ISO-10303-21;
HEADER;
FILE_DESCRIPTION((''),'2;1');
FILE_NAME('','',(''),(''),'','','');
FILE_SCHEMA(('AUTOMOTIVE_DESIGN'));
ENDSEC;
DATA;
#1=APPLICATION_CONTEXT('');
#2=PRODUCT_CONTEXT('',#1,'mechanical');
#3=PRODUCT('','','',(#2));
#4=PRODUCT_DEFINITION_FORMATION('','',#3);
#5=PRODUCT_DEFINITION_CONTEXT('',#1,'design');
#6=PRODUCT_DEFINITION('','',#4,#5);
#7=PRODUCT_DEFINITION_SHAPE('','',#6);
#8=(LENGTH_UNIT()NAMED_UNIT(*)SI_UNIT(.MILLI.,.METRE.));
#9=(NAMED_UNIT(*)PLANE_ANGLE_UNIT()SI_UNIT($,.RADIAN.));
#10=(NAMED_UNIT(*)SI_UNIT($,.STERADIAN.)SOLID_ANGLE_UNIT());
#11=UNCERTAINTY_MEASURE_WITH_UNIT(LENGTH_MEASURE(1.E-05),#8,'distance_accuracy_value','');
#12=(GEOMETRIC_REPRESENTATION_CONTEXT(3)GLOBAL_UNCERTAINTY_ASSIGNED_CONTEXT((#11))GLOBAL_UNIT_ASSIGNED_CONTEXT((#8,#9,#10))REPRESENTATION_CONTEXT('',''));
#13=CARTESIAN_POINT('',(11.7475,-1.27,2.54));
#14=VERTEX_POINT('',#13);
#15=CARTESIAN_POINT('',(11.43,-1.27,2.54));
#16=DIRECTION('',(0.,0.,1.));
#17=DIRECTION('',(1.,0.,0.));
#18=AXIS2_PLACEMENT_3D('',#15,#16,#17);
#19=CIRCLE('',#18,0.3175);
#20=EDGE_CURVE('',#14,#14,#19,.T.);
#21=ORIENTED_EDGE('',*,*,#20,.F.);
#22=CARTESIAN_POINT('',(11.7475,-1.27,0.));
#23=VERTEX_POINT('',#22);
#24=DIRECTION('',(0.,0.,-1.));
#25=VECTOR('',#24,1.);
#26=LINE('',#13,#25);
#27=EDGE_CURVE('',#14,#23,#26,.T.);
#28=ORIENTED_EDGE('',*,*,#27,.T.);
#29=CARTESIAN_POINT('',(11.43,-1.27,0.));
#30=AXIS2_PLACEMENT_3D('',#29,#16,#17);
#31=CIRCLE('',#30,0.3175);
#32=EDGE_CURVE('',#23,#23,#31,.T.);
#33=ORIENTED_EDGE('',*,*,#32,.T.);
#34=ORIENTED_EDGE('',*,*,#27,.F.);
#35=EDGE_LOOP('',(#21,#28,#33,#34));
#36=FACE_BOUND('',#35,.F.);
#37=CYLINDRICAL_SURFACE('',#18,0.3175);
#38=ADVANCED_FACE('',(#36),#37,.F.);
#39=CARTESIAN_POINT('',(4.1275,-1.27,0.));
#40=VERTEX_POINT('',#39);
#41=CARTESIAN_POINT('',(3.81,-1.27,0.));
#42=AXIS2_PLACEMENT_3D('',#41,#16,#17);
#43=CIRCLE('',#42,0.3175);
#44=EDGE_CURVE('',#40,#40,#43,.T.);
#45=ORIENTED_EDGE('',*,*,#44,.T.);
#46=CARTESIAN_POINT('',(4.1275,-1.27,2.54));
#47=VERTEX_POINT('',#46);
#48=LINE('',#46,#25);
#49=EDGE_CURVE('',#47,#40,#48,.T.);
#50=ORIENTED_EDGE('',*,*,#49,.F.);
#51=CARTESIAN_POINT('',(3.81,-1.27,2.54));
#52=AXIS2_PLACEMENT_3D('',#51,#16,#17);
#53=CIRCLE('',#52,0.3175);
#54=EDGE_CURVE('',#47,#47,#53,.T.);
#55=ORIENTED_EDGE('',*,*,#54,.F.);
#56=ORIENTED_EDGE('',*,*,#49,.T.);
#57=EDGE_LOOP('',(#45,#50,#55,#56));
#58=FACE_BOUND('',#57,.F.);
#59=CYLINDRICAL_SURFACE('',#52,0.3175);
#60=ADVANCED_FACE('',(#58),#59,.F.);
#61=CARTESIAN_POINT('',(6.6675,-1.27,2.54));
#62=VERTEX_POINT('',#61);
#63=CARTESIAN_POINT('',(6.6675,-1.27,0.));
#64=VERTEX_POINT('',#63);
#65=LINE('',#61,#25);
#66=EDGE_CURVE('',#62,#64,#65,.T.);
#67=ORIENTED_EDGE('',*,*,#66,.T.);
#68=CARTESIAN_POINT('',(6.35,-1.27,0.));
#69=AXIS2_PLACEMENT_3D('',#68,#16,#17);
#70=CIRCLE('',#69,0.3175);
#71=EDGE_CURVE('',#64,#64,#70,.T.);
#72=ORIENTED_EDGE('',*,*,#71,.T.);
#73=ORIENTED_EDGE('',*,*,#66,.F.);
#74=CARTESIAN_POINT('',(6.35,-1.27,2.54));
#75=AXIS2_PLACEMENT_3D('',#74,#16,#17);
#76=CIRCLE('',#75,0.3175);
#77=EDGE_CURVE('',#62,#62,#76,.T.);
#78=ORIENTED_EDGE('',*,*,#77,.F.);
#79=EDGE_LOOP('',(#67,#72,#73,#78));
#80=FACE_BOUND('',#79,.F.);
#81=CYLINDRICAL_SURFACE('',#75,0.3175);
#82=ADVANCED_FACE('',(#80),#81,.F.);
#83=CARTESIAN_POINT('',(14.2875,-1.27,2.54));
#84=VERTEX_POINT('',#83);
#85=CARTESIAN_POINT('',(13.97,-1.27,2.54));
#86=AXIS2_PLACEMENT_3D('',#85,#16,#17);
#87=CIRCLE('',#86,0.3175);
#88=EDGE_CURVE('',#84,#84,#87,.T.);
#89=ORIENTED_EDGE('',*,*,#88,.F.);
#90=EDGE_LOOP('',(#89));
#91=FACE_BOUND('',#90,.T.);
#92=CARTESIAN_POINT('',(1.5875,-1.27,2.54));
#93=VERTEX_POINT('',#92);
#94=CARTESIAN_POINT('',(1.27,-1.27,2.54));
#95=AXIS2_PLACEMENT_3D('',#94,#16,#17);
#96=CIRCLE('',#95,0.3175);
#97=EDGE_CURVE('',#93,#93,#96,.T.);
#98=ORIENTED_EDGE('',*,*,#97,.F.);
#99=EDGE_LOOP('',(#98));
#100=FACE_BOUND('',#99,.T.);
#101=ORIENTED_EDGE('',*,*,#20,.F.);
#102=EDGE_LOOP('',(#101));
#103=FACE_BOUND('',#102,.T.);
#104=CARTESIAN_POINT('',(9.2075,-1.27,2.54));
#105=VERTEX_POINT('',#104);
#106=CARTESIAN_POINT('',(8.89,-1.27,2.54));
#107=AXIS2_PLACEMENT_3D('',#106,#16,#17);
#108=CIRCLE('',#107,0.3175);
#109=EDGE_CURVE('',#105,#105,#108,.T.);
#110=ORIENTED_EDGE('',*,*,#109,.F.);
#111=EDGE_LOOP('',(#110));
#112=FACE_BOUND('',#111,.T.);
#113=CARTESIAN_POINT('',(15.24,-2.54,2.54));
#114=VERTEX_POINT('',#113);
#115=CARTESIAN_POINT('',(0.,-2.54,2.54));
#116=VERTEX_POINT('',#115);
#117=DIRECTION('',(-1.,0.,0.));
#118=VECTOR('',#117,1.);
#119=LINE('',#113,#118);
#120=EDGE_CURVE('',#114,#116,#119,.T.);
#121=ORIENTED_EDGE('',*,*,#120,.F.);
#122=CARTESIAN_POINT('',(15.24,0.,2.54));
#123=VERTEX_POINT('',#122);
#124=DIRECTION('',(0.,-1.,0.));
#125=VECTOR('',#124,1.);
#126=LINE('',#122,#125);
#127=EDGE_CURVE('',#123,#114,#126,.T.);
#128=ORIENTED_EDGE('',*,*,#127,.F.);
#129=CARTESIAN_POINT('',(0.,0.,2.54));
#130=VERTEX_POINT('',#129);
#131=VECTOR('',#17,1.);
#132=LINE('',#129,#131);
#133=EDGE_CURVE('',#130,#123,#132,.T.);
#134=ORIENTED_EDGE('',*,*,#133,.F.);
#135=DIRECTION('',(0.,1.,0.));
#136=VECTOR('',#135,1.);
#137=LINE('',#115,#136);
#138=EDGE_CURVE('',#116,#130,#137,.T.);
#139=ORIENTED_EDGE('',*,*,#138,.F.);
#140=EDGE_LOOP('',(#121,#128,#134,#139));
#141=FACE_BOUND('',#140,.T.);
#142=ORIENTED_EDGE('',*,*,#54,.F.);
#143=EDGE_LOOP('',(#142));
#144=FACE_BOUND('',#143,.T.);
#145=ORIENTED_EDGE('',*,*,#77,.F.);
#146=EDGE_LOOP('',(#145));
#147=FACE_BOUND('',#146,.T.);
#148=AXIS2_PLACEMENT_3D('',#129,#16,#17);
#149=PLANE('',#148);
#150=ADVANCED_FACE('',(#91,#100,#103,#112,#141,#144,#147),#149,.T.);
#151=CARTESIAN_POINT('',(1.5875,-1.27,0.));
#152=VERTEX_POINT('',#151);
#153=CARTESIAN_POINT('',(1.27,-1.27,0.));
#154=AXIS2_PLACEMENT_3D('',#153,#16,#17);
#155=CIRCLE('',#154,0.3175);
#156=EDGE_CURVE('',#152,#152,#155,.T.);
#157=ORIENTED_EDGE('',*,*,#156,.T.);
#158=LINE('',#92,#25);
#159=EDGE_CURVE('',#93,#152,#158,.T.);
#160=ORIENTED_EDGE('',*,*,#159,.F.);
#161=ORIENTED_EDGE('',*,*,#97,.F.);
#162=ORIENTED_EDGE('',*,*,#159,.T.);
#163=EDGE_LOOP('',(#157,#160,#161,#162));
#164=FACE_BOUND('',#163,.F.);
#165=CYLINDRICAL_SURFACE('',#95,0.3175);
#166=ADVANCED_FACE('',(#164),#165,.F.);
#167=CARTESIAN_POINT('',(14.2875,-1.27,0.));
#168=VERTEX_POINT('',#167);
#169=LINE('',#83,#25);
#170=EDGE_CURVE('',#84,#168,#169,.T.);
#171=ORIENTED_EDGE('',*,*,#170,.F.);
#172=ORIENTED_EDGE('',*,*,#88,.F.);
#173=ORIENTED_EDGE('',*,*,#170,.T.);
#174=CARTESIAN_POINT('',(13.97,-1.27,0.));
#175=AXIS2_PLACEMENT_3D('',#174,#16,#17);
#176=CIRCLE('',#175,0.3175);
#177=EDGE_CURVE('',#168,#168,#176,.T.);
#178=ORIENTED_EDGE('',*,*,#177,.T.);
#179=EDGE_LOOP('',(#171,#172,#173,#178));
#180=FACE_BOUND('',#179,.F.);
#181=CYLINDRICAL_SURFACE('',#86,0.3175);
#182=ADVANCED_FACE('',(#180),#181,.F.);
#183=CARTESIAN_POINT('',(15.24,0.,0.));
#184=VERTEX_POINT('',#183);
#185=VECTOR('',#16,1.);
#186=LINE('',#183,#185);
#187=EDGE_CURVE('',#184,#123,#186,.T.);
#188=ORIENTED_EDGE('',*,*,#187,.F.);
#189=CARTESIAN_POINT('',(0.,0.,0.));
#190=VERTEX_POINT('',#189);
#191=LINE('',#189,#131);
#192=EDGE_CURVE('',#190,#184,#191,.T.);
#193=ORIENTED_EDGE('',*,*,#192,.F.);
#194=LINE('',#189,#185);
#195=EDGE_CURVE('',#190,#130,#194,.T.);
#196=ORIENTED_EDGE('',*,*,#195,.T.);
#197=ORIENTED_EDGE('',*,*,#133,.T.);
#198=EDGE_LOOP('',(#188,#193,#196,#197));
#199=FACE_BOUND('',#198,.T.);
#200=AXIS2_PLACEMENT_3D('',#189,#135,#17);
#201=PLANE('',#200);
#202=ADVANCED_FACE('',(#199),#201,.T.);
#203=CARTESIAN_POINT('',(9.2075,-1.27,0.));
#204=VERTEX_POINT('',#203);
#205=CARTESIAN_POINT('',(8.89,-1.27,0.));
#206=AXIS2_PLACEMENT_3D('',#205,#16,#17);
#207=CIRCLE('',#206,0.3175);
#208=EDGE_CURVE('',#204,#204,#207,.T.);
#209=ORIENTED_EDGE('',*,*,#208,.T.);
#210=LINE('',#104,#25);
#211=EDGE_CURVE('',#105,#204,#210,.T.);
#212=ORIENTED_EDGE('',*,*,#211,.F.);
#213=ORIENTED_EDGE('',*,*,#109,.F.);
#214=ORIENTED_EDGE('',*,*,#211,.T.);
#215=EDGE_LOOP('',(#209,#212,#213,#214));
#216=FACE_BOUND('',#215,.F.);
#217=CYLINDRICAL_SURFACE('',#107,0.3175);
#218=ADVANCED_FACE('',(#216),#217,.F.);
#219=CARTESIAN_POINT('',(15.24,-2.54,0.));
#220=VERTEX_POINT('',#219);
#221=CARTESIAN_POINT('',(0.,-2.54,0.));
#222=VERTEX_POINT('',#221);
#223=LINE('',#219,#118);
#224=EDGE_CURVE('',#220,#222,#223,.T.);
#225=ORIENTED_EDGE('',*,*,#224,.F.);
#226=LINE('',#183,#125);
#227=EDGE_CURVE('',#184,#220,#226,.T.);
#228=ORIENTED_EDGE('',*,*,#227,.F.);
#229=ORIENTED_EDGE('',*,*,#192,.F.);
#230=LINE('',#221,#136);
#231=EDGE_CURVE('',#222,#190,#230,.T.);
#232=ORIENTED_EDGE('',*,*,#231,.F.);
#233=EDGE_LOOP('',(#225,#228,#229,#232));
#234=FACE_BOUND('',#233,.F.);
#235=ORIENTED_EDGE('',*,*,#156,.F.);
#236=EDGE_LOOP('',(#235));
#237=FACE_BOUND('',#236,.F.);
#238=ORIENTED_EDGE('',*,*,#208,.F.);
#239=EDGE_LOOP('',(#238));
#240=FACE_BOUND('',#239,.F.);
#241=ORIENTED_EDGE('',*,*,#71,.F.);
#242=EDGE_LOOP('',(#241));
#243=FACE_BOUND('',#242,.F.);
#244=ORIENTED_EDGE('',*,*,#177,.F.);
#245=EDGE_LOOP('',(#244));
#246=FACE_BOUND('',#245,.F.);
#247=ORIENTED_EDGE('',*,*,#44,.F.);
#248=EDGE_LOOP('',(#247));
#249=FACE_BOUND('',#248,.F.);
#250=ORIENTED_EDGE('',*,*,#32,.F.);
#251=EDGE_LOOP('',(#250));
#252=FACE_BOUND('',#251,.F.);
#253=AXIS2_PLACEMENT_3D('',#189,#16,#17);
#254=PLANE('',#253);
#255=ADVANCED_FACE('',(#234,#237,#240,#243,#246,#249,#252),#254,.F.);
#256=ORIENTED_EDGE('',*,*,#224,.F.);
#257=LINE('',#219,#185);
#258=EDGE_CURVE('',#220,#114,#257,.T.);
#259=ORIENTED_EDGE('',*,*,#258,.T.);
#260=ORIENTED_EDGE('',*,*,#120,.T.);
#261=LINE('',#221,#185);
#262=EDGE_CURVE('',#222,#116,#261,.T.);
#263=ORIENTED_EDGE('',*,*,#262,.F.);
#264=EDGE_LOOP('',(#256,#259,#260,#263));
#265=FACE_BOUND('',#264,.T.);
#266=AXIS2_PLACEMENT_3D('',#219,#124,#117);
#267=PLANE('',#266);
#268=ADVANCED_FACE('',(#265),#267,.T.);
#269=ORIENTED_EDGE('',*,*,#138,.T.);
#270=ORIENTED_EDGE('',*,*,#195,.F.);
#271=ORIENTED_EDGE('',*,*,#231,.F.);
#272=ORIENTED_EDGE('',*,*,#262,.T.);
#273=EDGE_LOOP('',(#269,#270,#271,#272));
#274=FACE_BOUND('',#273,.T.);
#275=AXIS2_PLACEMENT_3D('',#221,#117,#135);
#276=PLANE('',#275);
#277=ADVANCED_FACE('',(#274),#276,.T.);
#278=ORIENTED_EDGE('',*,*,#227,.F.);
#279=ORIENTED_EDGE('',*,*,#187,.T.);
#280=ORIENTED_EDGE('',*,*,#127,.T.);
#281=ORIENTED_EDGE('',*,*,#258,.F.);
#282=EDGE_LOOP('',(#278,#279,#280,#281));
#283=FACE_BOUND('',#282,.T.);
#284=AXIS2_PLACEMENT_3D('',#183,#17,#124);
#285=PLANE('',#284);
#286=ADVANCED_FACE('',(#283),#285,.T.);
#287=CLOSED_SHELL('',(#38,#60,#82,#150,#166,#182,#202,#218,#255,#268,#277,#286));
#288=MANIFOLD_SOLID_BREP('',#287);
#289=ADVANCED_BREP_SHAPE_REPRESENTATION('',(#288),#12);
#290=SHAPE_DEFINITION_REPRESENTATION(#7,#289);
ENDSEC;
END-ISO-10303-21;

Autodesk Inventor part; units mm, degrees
ref_plane "YZ Plane" through (0, 0, 0) normal (1, 0, 0) x (0, 1, 0)
ref_plane "XZ Plane" through (0, 0, 0) normal (0, 1, 0) x (-1, 0, 0)
ref_plane "XY Plane" through (0, 0, 0) normal (0, 0, 1) x (1, 0, 0)
sketch "Sketch1" plane through (0, 0, 0) normal (0, 0, 1) x (1, 0, 0)
  line L0 (0, 0) -> (15.24, 0)
  line L1 (15.24, 0) -> (15.24, -2.54)
  line L2 (15.24, -2.54) -> (0, -2.54)
  line L3 (0, -2.54) -> (0, 0)
  dimension "d0" = 15.24
  dimension "d1" = 2.54
extrude "Extrusion1" add sketch "Sketch1" along normal blind 2.54
sketch "Sketch2" plane through (0, 0, 2.54) normal (0, 0, 1) x (1, 0, 0)
  line L0 (15.24, 0) -> (0, 0) projected
  line L1 (0, 0) -> (0, -2.54) projected
  circle A0 centre (1.27, -1.27) radius 0.3175
  circle A1 centre (3.81, -1.27) radius 0.3175
  circle A2 centre (6.35, -1.27) radius 0.3175
  circle A3 centre (8.89, -1.27) radius 0.3175
  circle A4 centre (11.43, -1.27) radius 0.3175
  circle A5 centre (13.97, -1.27) radius 0.3175
  dimension "d4" = 0.635
  dimension "d6" = 1.27
  dimension "d9" = 2.54
extrude "Extrusion2" cut sketch "Sketch2" against normal blind 2.54
properties part number "Main Header" material "ABS Plastic"
